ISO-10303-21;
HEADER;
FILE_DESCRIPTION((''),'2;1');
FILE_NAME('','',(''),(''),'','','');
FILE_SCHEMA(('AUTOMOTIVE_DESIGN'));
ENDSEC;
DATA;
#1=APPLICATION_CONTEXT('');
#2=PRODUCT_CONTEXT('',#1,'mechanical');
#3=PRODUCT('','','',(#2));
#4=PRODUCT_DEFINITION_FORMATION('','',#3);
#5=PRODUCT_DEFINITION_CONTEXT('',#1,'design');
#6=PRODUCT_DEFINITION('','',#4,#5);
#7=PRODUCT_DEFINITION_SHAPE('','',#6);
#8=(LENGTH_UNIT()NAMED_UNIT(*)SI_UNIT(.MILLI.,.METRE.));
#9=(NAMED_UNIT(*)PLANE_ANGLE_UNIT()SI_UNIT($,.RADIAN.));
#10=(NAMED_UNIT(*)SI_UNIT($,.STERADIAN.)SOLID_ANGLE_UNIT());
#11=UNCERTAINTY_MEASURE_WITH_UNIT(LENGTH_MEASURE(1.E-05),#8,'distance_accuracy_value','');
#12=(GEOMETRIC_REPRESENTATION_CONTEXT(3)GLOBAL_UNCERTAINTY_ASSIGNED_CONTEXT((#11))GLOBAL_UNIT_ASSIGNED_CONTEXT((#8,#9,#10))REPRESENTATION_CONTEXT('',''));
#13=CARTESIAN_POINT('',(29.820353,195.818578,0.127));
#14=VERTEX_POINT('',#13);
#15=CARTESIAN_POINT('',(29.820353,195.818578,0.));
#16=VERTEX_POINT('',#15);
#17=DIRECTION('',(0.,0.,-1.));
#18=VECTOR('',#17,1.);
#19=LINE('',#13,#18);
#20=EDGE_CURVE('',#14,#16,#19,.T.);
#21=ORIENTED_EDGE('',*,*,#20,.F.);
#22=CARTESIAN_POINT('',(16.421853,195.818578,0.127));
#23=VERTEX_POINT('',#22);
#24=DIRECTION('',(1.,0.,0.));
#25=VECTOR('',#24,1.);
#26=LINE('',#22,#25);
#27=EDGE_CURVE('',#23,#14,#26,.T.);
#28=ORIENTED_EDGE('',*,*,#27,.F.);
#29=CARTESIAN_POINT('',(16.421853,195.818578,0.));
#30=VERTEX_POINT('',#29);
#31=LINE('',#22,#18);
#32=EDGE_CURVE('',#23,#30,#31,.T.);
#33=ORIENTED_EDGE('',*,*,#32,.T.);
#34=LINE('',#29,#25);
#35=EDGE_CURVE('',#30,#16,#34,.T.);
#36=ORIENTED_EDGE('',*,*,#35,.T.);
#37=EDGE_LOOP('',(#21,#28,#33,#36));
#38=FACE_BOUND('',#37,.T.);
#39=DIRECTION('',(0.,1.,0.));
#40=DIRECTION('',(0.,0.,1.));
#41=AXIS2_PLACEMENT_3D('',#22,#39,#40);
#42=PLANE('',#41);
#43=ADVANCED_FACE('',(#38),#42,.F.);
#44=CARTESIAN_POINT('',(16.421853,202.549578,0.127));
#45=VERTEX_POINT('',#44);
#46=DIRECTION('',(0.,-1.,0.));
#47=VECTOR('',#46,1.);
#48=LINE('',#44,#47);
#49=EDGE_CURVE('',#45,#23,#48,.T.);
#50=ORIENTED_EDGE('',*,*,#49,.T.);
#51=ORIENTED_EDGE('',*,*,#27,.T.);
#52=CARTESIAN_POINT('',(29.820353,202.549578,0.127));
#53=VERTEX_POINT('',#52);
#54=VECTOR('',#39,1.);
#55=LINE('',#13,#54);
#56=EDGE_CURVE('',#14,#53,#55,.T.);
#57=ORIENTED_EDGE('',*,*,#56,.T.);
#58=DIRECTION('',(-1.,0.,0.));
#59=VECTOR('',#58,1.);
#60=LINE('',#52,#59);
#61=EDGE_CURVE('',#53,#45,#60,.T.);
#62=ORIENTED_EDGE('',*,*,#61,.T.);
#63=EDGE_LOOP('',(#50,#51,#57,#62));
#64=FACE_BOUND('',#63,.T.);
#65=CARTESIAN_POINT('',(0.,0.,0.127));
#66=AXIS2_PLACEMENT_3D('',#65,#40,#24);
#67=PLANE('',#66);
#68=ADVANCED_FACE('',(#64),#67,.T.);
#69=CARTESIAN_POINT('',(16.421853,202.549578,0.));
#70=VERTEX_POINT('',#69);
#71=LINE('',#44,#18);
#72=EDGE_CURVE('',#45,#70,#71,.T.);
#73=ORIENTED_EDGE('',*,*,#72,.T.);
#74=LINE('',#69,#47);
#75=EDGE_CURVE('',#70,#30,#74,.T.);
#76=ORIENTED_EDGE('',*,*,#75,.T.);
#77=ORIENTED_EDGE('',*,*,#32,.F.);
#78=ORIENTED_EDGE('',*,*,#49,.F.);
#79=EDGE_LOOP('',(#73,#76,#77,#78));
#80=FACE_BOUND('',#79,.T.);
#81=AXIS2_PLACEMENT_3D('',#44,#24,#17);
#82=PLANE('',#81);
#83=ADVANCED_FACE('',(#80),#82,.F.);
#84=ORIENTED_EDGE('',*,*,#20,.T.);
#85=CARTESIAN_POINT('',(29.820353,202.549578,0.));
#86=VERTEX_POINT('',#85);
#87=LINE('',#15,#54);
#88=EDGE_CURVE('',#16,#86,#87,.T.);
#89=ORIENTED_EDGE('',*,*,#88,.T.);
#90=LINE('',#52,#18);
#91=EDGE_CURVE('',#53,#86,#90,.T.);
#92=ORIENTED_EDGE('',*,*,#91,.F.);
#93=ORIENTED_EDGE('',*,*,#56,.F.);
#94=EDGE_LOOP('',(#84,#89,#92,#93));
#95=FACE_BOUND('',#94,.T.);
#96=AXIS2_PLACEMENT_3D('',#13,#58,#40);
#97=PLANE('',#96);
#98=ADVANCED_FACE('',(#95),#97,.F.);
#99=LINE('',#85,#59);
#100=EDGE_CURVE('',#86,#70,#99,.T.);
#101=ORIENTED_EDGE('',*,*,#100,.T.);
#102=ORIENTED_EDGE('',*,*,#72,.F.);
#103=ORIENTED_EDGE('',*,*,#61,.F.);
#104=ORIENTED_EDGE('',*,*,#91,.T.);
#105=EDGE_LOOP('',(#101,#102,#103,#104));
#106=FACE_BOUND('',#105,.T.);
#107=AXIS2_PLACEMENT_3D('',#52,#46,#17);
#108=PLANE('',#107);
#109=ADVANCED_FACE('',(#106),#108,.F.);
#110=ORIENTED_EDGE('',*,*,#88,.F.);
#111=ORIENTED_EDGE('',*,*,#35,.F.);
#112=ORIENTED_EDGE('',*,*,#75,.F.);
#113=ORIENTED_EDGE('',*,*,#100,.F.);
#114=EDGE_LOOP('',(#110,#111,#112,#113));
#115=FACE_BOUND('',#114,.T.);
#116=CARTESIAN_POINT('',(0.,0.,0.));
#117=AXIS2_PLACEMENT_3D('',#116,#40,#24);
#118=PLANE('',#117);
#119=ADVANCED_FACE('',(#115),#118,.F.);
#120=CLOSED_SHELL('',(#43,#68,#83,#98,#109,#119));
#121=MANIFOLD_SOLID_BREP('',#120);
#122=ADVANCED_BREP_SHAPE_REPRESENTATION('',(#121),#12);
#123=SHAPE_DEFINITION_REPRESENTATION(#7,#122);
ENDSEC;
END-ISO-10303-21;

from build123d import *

# Parameters (mm, degrees)
SKETCH1_W           = 13.3985
SKETCH1_H           = 6.731
BOSS_EXTRUDE1_DEPTH = 0.127


with BuildPart() as part:
    # Sketch1 → Boss-Extrude1 (new body)
    with BuildSketch(Plane.XY):
        with Locations((23.121102666, 199.184077882)):
            Rectangle(SKETCH1_W, SKETCH1_H)
    extrude(amount=BOSS_EXTRUDE1_DEPTH)


solid = part.part
